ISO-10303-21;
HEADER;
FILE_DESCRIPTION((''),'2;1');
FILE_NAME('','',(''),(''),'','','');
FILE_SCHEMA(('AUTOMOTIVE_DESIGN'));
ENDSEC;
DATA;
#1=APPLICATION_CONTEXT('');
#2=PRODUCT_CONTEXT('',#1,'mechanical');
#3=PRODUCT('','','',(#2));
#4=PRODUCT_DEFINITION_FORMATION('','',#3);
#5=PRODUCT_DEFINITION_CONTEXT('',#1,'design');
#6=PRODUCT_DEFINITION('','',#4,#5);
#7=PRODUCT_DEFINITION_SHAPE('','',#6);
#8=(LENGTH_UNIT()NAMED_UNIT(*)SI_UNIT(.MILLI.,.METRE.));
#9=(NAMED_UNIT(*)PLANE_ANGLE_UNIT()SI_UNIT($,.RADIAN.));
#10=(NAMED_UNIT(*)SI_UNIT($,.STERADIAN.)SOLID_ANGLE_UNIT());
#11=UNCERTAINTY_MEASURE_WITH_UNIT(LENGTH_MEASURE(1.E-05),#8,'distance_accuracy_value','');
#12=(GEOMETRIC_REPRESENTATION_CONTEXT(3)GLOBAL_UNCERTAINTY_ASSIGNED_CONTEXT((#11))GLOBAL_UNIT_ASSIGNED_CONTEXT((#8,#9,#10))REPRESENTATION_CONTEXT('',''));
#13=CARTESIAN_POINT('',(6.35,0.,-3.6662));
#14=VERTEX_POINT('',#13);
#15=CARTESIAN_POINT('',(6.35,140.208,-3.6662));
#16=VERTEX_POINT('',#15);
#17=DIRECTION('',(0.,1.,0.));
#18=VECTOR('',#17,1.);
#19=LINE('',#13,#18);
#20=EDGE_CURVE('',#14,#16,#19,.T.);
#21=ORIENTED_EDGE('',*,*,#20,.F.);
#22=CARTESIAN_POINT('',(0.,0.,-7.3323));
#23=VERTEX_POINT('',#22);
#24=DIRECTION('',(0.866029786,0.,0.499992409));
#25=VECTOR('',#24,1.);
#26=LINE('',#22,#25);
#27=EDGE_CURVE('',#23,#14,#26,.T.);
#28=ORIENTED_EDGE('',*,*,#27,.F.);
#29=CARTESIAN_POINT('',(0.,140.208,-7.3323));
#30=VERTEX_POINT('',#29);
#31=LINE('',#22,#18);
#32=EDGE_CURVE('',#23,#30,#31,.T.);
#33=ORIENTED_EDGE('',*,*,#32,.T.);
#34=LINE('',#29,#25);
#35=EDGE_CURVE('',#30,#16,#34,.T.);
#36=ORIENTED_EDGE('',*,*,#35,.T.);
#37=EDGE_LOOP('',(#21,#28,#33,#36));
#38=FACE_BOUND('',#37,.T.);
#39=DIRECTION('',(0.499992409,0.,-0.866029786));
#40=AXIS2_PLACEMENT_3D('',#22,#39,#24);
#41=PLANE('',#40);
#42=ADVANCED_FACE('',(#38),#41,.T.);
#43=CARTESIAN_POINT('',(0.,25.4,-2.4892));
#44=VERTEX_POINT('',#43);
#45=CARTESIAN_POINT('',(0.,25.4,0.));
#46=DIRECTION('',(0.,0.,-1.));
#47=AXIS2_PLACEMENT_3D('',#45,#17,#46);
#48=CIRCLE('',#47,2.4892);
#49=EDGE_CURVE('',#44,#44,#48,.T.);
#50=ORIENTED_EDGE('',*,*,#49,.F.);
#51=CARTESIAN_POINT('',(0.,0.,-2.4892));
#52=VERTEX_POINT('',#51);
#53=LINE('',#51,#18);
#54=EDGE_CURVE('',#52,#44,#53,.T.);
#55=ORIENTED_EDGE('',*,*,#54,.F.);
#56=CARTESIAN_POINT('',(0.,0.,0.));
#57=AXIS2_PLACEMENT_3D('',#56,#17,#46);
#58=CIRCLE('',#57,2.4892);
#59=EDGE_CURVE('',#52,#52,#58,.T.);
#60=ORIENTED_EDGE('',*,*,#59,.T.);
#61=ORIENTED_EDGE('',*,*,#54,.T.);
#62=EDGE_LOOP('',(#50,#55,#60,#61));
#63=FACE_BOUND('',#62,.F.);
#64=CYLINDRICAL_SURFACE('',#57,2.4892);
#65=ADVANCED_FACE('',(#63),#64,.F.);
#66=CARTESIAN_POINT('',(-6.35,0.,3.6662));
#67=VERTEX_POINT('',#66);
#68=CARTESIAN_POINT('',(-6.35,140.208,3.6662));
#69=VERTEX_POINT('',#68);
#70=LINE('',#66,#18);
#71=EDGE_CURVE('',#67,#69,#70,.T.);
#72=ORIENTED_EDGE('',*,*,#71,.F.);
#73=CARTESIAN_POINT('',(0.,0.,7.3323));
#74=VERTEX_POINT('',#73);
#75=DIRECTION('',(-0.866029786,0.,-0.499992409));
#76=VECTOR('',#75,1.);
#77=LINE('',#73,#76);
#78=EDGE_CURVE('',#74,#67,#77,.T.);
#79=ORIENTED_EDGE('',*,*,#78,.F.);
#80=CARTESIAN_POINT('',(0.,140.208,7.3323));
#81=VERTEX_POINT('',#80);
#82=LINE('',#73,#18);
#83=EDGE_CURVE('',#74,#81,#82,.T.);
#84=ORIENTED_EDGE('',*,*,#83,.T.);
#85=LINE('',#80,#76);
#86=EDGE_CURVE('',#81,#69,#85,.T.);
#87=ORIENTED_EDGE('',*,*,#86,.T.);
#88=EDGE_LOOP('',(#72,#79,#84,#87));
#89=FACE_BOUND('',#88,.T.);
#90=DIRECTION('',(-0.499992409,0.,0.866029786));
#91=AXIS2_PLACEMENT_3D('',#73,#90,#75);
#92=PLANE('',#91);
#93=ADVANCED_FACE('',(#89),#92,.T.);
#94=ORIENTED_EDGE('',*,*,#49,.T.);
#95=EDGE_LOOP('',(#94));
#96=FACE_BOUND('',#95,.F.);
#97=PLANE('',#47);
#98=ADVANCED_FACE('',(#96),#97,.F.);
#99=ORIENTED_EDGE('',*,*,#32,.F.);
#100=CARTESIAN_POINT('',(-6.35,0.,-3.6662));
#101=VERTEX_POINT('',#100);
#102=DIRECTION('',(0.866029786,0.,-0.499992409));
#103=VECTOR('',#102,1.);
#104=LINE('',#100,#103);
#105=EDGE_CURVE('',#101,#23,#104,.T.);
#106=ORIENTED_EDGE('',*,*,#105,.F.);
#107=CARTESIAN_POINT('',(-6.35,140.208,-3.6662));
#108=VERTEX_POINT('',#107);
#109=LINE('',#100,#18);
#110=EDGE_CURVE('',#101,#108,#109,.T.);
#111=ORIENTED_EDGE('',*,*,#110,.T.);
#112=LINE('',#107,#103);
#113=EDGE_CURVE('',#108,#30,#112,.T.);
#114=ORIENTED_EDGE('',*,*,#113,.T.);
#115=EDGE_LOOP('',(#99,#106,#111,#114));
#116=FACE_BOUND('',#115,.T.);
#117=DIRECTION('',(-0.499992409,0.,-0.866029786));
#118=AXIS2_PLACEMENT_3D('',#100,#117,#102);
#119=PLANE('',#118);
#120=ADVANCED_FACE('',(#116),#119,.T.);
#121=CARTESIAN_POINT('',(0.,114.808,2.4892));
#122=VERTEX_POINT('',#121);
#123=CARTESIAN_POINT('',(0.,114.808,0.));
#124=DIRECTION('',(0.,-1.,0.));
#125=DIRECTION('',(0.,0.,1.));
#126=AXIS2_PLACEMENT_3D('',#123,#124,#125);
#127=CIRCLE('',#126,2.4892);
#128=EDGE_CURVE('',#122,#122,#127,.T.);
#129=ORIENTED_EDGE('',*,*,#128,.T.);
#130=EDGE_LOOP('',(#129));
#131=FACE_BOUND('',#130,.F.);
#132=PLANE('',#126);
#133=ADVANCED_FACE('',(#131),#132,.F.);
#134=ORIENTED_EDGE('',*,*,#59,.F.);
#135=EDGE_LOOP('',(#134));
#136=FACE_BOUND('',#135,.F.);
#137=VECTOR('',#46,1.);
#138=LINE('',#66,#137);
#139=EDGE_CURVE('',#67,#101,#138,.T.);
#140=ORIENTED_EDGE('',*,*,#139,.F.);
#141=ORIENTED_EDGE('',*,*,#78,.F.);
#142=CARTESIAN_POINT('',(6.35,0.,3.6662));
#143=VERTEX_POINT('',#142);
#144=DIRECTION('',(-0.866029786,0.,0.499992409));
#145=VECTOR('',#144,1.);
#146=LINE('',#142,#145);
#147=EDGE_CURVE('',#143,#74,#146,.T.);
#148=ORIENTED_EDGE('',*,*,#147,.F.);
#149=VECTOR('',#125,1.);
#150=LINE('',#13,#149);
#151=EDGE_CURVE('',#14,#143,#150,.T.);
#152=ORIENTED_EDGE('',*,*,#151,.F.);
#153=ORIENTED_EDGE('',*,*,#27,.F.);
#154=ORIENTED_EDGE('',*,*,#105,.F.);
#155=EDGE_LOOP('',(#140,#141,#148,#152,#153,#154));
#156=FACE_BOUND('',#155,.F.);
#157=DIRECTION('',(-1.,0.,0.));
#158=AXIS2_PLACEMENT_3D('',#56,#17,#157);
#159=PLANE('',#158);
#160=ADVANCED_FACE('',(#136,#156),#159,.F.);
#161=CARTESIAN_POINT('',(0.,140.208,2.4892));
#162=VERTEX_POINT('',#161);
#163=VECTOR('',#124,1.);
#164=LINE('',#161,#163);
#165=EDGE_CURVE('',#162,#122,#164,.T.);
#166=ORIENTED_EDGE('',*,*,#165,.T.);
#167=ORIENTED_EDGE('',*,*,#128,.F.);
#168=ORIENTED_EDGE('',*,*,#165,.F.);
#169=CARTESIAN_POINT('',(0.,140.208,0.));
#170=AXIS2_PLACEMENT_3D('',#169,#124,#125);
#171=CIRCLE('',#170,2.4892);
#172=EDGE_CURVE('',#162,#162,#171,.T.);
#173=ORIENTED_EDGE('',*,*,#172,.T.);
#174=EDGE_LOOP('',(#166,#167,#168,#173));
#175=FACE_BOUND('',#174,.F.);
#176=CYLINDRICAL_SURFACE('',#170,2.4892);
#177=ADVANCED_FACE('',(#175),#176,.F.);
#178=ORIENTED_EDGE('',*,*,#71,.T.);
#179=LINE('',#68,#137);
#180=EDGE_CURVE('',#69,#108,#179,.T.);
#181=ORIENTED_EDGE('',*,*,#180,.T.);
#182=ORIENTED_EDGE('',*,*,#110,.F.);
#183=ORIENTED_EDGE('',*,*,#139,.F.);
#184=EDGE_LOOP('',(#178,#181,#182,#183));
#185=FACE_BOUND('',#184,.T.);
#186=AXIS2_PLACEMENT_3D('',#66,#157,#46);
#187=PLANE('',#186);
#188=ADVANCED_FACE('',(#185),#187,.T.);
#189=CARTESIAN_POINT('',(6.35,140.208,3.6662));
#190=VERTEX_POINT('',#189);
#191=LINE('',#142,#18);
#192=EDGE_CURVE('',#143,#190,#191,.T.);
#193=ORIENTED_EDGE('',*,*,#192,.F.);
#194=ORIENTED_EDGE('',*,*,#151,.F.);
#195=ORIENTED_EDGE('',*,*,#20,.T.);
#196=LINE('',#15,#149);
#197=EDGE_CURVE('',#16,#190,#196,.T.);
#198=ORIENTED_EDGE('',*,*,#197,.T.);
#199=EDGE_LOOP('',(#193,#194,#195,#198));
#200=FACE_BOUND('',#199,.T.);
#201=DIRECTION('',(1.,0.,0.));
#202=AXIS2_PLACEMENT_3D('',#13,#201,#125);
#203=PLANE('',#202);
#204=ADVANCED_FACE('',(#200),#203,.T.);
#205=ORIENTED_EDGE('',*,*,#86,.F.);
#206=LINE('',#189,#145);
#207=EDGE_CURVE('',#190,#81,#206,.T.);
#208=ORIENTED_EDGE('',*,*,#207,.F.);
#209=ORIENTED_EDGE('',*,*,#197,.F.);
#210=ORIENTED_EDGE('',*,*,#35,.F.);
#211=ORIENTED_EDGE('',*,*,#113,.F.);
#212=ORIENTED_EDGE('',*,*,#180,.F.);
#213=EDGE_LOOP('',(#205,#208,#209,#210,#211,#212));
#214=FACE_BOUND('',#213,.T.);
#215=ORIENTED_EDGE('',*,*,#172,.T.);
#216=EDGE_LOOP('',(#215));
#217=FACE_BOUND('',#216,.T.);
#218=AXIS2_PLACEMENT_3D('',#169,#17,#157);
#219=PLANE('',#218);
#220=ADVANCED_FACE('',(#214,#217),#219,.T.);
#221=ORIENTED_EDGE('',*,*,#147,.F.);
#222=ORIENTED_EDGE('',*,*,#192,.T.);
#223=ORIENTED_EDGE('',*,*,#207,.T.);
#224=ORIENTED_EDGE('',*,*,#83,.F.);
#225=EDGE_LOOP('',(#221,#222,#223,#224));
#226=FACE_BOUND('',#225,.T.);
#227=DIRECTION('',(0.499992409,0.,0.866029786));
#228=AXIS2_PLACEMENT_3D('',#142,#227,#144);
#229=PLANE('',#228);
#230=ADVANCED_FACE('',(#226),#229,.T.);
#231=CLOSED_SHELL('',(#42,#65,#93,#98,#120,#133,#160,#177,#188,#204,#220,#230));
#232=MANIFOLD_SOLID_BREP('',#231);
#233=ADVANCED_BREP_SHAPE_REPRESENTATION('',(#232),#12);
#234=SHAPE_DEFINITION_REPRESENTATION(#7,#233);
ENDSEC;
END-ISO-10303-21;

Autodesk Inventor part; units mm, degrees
ref_plane "YZ Plane" through (0, 0, 0) normal (1, 0, 0) x (0, 1, 0)
ref_plane "XZ Plane" through (0, 0, 0) normal (0, 1, 0) x (-1, 0, 0)
ref_plane "XY Plane" through (0, 0, 0) normal (0, 0, 1) x (1, 0, 0)
sketch "Sketch1" plane through (0, 0, 0) normal (0, 1, 0) x (-1, 0, 0)
  line L0 (6.35, -3.6662) -> (0, -7.3323)
  line L1 (0, -7.3323) -> (-6.35, -3.6662)
  line L2 (-6.35, -3.6662) -> (-6.35, 3.6662)
  line L3 (-6.35, 3.6662) -> (0, 7.3323)
  line L4 (0, 7.3323) -> (6.35, 3.6662)
  line L5 (6.35, 3.6662) -> (6.35, -3.6662)
  point P0 (0, 0)
  point P1 (0, 0)
  point P2 (0, 0)
  dimension "d0" = 12.7
extrude "Extrusion1" add sketch "Sketch1" along normal blind 140.208
sketch "Sketch2" plane through (0, 0, 0) normal (0, -1, 0) x (1, 0, 0)
  point P0 (0, 0)
  point P1 (0, 0)
hole "Hole1" at (0, 0, 0) direction (0, 1, 0) diameter 4.9784 depth 25.4 thread size "1/4-20 UNC" class "2B" standard "ANSI Unified Screw Threads"
sketch "Sketch3" plane through (0, 140.208, 0) normal (0, 1, 0) x (1, 0, 0)
  point P0 (0, 0)
  point P1 (0, 0)
hole "Hole2" at (0, 140.208, 0) direction (0, -1, 0) diameter 4.9784 depth 25.4 thread size "1/4-20 UNC" class "2B" standard "ANSI Unified Screw Threads"
properties part number "SHOT_1_007_HexShaft2" material "Aluminum 6061"
